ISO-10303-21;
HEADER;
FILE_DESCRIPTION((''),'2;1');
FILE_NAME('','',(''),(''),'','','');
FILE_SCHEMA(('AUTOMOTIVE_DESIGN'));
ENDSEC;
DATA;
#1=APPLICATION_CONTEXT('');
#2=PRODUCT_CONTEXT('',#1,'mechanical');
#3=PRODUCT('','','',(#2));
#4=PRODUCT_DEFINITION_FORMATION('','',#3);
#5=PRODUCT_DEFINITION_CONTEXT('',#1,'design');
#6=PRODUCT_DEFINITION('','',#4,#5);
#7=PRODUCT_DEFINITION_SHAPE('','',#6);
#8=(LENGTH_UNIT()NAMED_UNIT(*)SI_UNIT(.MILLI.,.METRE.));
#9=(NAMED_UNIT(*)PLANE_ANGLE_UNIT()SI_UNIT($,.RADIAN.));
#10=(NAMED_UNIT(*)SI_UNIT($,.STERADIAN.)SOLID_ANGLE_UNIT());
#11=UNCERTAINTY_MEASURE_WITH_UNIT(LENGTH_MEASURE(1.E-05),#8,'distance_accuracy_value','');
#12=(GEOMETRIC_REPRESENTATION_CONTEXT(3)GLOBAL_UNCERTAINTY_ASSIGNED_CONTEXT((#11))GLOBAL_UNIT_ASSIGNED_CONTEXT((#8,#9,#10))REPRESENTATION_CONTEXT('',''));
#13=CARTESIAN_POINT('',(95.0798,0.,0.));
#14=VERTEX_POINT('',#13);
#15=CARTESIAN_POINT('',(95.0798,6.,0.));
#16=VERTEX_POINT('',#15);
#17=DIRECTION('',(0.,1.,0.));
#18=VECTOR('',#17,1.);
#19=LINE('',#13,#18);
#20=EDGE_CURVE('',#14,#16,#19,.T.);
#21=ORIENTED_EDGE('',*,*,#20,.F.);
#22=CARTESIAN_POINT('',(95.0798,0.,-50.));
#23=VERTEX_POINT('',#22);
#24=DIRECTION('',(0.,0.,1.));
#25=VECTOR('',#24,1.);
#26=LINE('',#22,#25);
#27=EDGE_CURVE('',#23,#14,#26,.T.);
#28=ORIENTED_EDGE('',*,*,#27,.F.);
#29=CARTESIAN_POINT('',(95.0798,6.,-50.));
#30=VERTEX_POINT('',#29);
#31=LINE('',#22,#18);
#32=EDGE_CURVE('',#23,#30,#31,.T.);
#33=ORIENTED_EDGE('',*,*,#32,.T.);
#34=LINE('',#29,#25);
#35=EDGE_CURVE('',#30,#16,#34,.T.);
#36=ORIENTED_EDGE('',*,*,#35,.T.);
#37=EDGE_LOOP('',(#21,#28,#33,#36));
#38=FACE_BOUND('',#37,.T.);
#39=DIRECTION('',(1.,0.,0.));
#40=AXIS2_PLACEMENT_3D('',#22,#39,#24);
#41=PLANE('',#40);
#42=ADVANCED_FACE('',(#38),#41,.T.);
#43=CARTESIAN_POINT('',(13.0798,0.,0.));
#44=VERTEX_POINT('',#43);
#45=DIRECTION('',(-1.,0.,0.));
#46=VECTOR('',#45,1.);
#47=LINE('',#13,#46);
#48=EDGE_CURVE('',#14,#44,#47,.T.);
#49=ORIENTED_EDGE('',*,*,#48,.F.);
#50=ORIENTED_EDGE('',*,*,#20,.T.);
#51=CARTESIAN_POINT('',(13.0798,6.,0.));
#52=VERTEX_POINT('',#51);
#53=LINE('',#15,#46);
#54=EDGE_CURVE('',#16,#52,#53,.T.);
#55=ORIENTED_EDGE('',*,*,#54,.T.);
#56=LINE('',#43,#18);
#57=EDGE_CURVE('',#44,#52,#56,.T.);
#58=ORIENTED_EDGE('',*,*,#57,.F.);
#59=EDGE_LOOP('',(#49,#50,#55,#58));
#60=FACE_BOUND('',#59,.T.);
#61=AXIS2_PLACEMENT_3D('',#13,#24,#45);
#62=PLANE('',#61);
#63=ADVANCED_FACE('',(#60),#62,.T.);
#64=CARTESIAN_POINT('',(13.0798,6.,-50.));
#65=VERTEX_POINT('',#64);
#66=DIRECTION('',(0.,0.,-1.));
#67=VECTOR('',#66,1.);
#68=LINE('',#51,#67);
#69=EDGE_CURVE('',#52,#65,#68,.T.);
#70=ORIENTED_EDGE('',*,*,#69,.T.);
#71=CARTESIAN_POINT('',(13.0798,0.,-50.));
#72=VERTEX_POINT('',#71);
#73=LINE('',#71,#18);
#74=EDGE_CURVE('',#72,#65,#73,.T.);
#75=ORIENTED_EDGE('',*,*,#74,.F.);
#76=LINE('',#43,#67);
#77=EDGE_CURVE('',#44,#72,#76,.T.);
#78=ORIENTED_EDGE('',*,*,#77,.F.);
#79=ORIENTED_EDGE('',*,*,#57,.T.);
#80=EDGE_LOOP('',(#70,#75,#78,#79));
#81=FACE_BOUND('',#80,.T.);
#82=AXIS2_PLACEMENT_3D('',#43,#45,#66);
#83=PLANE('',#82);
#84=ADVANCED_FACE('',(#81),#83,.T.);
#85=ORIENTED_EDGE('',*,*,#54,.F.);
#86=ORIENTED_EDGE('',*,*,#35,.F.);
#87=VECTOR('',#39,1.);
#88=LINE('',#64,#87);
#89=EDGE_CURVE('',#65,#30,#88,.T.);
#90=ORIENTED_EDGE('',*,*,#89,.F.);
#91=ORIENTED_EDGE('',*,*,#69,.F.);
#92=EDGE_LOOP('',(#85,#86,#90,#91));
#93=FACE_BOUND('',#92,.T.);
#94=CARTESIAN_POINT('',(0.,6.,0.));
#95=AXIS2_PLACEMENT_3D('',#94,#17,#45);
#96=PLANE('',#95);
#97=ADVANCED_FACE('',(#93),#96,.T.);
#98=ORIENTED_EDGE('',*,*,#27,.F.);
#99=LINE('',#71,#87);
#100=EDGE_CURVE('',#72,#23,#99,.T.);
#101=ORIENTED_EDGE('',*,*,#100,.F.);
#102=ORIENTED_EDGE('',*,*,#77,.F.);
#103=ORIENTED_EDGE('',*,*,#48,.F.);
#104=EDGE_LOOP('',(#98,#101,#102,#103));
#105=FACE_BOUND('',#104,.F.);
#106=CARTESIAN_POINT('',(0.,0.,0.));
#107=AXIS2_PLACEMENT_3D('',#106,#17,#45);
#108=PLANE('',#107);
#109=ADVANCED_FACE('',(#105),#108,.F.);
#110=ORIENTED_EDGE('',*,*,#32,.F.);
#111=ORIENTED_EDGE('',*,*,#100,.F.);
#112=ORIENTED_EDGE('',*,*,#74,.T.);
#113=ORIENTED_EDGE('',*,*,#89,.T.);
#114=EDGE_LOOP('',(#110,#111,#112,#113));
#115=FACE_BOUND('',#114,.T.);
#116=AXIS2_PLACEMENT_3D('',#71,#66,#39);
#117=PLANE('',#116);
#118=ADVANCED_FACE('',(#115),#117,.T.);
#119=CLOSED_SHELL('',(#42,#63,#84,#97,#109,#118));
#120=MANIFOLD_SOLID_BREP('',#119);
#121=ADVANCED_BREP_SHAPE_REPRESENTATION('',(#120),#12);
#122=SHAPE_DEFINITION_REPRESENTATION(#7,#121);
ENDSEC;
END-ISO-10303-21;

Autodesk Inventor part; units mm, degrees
ref_plane "YZ Plane" through (0, 0, 0) normal (1, 0, 0) x (0, 1, 0)
ref_plane "XZ Plane" through (0, 0, 0) normal (0, 1, 0) x (-1, 0, 0)
ref_plane "XY Plane" through (0, 0, 0) normal (0, 0, 1) x (1, 0, 0)
sketch "Skizze1" plane through (0, 0, 0) normal (0, 1, 0) x (-1, 0, 0)
  line L0 (-95.0798, 0) -> (-13.0798, 0)
  line L1 (-13.0798, 0) -> (-13.0798, -50)
  line L2 (-13.0798, -50) -> (-95.0798, -50)
  line L3 (-95.0798, -50) -> (-95.0798, 0)
  point P0 (0, 0)
  dimension "d0" = 82
  dimension "d1" = 50
extrude "Extrusion1" add sketch "Skizze1" along normal blind 6
properties part number "battery_5000"
